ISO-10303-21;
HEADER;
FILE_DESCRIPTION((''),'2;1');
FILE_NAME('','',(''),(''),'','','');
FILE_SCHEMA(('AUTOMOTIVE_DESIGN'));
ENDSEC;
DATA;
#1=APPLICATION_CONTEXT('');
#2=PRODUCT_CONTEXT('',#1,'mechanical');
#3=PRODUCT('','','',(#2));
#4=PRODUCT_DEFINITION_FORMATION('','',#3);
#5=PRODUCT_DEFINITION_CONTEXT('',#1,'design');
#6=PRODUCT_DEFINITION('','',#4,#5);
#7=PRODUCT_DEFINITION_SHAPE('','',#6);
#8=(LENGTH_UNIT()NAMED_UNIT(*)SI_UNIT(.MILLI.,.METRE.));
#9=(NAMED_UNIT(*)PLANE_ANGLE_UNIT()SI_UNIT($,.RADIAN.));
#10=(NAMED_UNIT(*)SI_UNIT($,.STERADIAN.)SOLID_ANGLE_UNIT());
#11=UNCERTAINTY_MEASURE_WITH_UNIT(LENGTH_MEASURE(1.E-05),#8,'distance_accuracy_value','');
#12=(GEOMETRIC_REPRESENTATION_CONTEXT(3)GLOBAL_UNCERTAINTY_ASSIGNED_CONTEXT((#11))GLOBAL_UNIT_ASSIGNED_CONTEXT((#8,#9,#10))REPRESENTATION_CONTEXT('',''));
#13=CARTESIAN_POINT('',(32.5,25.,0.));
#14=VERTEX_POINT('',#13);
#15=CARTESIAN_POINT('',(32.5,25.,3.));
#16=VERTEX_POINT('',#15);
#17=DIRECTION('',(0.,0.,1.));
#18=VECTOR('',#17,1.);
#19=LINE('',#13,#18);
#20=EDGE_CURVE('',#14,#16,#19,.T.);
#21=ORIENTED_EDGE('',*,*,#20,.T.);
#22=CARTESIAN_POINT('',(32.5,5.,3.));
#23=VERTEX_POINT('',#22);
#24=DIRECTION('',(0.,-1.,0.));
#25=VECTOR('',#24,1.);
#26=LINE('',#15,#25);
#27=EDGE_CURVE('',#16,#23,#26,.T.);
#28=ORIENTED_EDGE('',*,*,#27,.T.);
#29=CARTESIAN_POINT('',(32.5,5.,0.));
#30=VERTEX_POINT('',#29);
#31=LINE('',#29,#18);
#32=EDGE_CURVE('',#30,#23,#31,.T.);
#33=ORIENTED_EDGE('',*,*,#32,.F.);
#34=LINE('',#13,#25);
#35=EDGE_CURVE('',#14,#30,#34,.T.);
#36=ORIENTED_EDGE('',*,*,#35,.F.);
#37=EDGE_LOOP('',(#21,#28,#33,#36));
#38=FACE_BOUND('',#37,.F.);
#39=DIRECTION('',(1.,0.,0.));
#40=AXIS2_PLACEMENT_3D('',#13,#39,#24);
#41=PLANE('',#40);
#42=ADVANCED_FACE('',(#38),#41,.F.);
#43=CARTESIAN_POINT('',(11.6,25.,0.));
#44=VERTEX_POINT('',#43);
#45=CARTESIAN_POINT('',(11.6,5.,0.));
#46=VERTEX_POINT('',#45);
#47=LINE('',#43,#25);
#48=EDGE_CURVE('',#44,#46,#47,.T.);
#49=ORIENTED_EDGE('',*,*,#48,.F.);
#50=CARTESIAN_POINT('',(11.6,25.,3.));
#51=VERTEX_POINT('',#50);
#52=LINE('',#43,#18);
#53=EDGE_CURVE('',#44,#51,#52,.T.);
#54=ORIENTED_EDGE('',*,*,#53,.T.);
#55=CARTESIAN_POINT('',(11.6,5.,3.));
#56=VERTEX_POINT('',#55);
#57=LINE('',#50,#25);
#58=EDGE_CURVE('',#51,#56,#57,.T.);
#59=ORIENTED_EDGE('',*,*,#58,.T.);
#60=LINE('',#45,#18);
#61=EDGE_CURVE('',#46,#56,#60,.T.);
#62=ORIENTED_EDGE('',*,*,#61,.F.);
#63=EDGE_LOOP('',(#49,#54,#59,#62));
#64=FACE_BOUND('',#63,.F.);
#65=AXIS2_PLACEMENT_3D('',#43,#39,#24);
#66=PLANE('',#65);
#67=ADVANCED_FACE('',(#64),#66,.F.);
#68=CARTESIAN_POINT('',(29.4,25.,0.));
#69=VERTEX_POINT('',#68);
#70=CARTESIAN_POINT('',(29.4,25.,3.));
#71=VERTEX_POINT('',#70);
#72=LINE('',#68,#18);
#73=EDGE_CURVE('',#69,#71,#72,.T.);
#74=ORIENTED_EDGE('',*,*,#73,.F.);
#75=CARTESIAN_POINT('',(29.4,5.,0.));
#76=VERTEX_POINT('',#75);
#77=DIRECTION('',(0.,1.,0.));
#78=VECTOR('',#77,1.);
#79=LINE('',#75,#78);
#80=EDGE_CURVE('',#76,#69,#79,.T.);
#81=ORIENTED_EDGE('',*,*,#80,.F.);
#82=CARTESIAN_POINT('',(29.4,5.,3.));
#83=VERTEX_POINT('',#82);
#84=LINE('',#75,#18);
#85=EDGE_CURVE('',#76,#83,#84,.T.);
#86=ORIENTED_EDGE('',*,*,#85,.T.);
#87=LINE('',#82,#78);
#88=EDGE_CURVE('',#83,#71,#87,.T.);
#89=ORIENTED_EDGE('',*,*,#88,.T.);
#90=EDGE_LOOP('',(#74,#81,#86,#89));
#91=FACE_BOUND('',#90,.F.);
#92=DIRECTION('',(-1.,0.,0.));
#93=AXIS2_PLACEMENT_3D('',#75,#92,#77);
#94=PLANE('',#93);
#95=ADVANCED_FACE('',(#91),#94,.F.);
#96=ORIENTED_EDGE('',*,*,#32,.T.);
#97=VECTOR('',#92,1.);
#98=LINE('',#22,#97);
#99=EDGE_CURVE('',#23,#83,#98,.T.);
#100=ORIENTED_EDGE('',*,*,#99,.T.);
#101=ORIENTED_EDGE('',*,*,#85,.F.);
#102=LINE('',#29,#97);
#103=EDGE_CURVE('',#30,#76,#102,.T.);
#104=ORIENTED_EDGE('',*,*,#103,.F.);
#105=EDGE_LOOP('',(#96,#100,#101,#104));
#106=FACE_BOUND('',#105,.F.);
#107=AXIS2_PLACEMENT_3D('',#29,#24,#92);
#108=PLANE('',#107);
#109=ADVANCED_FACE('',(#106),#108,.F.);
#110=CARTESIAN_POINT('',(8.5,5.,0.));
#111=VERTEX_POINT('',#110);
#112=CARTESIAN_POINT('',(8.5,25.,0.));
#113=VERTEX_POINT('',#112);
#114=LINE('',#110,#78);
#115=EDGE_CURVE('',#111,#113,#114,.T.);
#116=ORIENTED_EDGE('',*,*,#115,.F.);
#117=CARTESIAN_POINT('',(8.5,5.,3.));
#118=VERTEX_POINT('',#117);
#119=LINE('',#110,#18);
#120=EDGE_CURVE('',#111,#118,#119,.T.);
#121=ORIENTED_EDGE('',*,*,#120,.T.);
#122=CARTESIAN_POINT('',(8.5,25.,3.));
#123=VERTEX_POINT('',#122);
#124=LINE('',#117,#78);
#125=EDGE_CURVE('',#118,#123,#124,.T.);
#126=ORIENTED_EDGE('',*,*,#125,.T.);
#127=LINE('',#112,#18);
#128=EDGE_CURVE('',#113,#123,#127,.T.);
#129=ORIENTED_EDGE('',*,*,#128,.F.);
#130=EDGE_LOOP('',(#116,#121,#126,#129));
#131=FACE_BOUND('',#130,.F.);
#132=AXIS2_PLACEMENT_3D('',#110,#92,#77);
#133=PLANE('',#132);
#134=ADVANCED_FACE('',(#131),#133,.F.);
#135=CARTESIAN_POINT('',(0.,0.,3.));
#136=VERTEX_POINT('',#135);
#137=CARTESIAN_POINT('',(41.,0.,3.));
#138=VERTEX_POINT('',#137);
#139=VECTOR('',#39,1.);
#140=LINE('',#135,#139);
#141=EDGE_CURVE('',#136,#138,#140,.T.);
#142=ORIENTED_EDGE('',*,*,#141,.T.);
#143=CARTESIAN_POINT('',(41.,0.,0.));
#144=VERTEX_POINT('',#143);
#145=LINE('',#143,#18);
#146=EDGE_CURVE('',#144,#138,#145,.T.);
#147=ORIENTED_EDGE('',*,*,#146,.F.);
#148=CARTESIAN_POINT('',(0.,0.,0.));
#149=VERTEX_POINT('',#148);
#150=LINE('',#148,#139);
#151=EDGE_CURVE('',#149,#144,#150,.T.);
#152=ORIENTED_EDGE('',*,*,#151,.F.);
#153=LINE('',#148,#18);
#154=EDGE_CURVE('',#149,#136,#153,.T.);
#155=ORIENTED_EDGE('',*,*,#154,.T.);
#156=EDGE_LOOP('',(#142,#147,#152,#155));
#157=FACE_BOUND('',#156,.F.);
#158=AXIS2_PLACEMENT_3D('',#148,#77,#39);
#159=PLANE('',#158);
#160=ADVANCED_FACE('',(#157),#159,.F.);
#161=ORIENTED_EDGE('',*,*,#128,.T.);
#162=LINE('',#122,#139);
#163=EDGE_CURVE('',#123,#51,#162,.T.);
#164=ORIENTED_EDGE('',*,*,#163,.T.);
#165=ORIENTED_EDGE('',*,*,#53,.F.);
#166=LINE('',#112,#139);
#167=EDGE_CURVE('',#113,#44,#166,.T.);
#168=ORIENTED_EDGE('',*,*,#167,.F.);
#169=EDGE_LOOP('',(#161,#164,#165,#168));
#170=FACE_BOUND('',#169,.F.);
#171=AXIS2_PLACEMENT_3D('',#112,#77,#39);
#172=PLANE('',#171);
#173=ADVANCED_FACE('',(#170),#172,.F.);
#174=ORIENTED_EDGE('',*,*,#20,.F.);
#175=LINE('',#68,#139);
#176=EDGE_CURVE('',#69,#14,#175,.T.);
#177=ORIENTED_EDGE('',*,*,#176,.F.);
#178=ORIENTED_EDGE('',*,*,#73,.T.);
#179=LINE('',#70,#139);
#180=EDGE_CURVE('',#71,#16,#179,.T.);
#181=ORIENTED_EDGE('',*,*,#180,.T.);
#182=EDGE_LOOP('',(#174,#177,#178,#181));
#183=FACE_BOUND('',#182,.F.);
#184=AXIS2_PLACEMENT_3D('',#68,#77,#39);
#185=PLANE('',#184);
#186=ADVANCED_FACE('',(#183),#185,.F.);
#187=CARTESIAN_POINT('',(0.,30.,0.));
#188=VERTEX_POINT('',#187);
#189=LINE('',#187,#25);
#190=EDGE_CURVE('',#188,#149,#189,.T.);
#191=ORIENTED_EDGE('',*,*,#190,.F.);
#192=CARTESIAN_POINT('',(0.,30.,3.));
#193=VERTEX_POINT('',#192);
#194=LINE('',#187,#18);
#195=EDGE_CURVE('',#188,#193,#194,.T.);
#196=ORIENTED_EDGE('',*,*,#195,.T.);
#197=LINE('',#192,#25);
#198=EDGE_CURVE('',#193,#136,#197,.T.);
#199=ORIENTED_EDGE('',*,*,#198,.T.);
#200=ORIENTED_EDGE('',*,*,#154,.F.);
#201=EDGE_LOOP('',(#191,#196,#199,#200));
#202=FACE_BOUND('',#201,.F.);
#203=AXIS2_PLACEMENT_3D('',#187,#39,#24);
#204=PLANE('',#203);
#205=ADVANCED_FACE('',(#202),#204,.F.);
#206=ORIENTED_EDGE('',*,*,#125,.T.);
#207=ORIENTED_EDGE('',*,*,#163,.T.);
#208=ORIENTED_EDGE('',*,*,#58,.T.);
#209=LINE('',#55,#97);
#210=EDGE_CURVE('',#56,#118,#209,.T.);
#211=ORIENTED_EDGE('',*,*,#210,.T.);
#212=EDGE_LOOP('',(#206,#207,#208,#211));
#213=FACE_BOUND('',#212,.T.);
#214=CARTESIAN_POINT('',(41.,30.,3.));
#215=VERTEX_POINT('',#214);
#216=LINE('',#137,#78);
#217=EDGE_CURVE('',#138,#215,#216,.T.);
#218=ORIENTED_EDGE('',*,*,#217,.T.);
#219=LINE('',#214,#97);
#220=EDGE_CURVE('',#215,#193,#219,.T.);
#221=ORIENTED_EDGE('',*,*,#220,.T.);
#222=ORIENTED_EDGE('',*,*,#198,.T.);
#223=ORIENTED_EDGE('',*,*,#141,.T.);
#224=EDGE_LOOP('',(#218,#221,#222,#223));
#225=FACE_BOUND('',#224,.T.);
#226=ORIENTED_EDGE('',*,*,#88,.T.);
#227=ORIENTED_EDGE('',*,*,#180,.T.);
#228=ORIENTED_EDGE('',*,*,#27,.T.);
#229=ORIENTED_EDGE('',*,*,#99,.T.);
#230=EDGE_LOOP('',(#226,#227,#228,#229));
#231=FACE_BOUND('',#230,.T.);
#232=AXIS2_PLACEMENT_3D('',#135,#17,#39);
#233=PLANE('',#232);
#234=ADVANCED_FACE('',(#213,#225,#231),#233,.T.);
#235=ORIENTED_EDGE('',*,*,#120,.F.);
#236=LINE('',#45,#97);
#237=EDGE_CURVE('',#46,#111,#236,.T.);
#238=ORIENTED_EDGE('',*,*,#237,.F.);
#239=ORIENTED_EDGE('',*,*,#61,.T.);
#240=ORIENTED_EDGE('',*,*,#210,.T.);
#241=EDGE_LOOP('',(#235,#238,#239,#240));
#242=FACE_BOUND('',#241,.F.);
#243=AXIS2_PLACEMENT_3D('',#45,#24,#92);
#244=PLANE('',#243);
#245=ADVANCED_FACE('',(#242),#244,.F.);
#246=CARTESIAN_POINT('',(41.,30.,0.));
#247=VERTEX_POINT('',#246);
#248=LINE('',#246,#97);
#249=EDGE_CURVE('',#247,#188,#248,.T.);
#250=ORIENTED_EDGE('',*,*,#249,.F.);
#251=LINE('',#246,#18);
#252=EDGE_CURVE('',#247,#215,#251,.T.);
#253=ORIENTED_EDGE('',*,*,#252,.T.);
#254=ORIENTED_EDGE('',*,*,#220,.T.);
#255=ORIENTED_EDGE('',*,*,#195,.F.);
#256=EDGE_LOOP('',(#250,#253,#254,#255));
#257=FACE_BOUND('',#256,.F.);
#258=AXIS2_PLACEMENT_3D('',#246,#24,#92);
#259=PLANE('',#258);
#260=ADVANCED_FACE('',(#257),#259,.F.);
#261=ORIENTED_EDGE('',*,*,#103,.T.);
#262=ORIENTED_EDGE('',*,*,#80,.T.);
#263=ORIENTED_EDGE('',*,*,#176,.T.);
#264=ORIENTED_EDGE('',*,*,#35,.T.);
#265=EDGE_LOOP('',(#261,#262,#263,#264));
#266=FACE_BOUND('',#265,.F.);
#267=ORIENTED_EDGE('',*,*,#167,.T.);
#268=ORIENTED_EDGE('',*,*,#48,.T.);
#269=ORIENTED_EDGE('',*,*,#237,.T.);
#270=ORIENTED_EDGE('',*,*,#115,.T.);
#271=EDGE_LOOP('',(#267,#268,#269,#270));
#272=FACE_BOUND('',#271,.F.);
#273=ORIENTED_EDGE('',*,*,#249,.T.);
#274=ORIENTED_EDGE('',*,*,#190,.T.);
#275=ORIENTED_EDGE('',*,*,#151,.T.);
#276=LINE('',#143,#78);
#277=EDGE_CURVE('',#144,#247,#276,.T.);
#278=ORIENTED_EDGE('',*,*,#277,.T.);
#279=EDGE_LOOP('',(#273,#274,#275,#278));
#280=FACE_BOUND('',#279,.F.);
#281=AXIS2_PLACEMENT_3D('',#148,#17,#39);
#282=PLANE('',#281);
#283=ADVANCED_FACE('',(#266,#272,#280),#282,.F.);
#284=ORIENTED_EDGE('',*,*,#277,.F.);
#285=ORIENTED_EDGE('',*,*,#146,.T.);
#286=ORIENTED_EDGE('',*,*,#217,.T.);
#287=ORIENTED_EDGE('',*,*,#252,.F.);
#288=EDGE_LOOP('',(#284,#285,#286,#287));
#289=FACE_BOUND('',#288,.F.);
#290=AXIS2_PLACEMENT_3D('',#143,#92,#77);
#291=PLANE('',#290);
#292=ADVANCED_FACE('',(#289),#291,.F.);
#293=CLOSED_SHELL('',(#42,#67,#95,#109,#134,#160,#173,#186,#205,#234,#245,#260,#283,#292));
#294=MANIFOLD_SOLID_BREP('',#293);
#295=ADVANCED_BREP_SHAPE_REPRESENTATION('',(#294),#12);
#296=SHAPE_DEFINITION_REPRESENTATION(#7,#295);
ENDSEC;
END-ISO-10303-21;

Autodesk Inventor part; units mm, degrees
ref_plane "YZ Plane" through (0, 0, 0) normal (1, 0, 0) x (0, 1, 0)
ref_plane "XZ Plane" through (0, 0, 0) normal (0, 1, 0) x (-1, 0, 0)
ref_plane "XY Plane" through (0, 0, 0) normal (0, 0, 1) x (1, 0, 0)
sketch "Sketch1" plane through (0, 0, 0) normal (0, 0, 1) x (1, 0, 0)
  line L0 (0, 0) -> (41, 0)
  line L1 (41, 0) -> (41, 30)
  line L2 (41, 30) -> (0, 30)
  line L3 (0, 30) -> (0, 0)
  line L4 (29.4, 25) -> (32.5, 25)
  line L5 (32.5, 25) -> (32.5, 5)
  line L6 (32.5, 5) -> (29.4, 5)
  line L7 (29.4, 5) -> (29.4, 25)
  line L8 (8.5, 25) -> (11.6, 25)
  line L9 (11.6, 25) -> (11.6, 5)
  line L10 (11.6, 5) -> (8.5, 5)
  line L11 (8.5, 5) -> (8.5, 25)
  point P0 (8.5, 15)
  point P1 (0, 15)
  point P2 (29.4, 15)
  point P3 (10.05, 5)
  point P4 (20.5, 30)
  dimension "d0" = 41
  dimension "d1" = 30
  dimension "d2" = 3.1
  dimension "d3" = 3.1
  dimension "d4" = 24
  dimension "d6" = 10
  dimension "d7" = 8.9
extrude "Extrusion1" add sketch "Sketch1" along normal blind 3
properties part number "Moving_rail"
